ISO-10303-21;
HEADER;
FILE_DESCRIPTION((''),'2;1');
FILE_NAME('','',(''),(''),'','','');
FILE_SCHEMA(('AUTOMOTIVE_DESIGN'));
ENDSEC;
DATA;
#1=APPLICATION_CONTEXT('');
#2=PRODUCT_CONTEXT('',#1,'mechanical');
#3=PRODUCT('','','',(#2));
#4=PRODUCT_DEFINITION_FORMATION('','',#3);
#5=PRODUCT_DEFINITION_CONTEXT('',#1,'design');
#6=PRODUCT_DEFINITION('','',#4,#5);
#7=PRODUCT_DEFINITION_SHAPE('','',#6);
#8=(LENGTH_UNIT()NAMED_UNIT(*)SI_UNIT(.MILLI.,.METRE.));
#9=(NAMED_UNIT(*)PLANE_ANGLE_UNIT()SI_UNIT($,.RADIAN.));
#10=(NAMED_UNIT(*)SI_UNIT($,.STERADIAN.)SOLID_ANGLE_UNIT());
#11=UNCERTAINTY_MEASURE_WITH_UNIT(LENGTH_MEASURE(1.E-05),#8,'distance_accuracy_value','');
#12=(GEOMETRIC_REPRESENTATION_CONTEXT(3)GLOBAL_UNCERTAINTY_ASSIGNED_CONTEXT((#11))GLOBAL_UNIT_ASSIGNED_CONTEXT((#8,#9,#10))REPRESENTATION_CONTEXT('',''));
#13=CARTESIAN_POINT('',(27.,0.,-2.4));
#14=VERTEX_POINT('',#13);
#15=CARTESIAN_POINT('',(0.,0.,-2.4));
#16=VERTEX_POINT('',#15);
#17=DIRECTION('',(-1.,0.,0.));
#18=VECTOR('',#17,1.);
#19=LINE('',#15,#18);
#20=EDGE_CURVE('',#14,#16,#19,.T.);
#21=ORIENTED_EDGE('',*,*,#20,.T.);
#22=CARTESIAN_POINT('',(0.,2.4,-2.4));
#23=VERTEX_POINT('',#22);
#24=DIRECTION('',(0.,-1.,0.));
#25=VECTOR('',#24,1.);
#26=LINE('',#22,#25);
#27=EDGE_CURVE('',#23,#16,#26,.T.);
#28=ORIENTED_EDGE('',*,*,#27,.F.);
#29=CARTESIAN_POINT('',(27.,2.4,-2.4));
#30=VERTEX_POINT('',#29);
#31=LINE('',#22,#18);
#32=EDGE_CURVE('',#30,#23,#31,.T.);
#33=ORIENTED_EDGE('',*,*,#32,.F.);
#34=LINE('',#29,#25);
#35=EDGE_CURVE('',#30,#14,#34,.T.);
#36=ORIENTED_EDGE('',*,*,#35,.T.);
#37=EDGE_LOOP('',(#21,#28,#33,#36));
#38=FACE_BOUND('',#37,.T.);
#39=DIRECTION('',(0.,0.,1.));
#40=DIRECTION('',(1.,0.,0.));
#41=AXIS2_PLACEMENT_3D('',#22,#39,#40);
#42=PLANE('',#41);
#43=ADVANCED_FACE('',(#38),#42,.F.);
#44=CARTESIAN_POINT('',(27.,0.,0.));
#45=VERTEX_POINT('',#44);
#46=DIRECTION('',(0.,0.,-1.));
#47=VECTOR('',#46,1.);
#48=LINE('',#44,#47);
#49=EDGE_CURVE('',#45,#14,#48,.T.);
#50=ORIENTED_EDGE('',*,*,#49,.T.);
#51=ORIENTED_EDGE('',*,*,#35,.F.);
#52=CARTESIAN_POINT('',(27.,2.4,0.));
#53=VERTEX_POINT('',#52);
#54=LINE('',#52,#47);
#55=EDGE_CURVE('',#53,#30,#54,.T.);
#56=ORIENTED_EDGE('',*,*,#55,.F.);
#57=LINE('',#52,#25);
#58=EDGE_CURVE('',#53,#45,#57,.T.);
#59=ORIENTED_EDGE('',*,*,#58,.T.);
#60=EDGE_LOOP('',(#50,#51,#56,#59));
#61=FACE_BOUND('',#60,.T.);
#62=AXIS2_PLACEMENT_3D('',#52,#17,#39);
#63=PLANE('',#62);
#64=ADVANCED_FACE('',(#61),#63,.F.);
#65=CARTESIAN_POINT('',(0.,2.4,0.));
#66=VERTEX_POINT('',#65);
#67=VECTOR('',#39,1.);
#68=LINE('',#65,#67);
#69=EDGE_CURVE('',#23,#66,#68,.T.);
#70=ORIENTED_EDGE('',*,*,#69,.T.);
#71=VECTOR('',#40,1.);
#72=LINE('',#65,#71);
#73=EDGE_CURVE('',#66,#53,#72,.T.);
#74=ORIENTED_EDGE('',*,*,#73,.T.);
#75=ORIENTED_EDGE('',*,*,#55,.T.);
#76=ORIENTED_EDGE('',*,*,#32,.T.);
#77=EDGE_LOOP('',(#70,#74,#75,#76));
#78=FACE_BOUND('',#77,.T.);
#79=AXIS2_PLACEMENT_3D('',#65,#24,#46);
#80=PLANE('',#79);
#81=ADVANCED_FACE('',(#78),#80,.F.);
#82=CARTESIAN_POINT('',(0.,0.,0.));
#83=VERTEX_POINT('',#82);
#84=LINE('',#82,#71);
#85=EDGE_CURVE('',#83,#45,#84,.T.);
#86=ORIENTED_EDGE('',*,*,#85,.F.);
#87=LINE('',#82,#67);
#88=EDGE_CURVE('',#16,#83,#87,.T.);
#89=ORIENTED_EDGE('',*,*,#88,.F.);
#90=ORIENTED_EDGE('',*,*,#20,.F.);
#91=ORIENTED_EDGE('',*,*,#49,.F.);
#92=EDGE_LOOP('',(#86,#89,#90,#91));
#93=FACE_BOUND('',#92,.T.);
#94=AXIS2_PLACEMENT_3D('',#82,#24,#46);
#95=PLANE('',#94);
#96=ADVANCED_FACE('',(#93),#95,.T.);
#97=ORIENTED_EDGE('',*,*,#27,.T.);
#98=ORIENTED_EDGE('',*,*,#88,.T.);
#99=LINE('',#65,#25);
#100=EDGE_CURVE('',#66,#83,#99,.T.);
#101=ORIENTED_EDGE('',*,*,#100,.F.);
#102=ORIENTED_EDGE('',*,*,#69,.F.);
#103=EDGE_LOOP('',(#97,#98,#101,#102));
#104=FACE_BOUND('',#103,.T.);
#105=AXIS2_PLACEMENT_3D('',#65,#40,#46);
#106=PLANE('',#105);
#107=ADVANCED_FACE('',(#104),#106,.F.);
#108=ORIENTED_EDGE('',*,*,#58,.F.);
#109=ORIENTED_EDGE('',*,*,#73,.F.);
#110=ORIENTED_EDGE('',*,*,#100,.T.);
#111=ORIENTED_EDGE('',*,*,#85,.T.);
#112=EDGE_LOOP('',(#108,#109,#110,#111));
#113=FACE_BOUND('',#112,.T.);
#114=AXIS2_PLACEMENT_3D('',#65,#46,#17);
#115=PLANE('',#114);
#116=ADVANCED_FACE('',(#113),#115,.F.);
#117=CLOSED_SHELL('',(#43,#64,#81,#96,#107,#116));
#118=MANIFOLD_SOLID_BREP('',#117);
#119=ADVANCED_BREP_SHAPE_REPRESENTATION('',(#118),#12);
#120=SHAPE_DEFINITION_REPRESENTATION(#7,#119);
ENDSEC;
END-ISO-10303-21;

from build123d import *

# Parameters (mm, degrees)
SKETCH_1_W      = 27
SKETCH_1_H      = 2.4
EXTRUDE_1_DEPTH = 2.4


with BuildPart() as part:
    # 草图1 → 凸台-拉伸1 (new body)
    with BuildSketch(Plane(origin=(0, 0, 0), x_dir=(1, 0, 0), z_dir=(0, 1, 0))):
        with Locations((13.5, 1.2)):
            Rectangle(SKETCH_1_W, SKETCH_1_H)
    extrude(amount=EXTRUDE_1_DEPTH)


solid = part.part
